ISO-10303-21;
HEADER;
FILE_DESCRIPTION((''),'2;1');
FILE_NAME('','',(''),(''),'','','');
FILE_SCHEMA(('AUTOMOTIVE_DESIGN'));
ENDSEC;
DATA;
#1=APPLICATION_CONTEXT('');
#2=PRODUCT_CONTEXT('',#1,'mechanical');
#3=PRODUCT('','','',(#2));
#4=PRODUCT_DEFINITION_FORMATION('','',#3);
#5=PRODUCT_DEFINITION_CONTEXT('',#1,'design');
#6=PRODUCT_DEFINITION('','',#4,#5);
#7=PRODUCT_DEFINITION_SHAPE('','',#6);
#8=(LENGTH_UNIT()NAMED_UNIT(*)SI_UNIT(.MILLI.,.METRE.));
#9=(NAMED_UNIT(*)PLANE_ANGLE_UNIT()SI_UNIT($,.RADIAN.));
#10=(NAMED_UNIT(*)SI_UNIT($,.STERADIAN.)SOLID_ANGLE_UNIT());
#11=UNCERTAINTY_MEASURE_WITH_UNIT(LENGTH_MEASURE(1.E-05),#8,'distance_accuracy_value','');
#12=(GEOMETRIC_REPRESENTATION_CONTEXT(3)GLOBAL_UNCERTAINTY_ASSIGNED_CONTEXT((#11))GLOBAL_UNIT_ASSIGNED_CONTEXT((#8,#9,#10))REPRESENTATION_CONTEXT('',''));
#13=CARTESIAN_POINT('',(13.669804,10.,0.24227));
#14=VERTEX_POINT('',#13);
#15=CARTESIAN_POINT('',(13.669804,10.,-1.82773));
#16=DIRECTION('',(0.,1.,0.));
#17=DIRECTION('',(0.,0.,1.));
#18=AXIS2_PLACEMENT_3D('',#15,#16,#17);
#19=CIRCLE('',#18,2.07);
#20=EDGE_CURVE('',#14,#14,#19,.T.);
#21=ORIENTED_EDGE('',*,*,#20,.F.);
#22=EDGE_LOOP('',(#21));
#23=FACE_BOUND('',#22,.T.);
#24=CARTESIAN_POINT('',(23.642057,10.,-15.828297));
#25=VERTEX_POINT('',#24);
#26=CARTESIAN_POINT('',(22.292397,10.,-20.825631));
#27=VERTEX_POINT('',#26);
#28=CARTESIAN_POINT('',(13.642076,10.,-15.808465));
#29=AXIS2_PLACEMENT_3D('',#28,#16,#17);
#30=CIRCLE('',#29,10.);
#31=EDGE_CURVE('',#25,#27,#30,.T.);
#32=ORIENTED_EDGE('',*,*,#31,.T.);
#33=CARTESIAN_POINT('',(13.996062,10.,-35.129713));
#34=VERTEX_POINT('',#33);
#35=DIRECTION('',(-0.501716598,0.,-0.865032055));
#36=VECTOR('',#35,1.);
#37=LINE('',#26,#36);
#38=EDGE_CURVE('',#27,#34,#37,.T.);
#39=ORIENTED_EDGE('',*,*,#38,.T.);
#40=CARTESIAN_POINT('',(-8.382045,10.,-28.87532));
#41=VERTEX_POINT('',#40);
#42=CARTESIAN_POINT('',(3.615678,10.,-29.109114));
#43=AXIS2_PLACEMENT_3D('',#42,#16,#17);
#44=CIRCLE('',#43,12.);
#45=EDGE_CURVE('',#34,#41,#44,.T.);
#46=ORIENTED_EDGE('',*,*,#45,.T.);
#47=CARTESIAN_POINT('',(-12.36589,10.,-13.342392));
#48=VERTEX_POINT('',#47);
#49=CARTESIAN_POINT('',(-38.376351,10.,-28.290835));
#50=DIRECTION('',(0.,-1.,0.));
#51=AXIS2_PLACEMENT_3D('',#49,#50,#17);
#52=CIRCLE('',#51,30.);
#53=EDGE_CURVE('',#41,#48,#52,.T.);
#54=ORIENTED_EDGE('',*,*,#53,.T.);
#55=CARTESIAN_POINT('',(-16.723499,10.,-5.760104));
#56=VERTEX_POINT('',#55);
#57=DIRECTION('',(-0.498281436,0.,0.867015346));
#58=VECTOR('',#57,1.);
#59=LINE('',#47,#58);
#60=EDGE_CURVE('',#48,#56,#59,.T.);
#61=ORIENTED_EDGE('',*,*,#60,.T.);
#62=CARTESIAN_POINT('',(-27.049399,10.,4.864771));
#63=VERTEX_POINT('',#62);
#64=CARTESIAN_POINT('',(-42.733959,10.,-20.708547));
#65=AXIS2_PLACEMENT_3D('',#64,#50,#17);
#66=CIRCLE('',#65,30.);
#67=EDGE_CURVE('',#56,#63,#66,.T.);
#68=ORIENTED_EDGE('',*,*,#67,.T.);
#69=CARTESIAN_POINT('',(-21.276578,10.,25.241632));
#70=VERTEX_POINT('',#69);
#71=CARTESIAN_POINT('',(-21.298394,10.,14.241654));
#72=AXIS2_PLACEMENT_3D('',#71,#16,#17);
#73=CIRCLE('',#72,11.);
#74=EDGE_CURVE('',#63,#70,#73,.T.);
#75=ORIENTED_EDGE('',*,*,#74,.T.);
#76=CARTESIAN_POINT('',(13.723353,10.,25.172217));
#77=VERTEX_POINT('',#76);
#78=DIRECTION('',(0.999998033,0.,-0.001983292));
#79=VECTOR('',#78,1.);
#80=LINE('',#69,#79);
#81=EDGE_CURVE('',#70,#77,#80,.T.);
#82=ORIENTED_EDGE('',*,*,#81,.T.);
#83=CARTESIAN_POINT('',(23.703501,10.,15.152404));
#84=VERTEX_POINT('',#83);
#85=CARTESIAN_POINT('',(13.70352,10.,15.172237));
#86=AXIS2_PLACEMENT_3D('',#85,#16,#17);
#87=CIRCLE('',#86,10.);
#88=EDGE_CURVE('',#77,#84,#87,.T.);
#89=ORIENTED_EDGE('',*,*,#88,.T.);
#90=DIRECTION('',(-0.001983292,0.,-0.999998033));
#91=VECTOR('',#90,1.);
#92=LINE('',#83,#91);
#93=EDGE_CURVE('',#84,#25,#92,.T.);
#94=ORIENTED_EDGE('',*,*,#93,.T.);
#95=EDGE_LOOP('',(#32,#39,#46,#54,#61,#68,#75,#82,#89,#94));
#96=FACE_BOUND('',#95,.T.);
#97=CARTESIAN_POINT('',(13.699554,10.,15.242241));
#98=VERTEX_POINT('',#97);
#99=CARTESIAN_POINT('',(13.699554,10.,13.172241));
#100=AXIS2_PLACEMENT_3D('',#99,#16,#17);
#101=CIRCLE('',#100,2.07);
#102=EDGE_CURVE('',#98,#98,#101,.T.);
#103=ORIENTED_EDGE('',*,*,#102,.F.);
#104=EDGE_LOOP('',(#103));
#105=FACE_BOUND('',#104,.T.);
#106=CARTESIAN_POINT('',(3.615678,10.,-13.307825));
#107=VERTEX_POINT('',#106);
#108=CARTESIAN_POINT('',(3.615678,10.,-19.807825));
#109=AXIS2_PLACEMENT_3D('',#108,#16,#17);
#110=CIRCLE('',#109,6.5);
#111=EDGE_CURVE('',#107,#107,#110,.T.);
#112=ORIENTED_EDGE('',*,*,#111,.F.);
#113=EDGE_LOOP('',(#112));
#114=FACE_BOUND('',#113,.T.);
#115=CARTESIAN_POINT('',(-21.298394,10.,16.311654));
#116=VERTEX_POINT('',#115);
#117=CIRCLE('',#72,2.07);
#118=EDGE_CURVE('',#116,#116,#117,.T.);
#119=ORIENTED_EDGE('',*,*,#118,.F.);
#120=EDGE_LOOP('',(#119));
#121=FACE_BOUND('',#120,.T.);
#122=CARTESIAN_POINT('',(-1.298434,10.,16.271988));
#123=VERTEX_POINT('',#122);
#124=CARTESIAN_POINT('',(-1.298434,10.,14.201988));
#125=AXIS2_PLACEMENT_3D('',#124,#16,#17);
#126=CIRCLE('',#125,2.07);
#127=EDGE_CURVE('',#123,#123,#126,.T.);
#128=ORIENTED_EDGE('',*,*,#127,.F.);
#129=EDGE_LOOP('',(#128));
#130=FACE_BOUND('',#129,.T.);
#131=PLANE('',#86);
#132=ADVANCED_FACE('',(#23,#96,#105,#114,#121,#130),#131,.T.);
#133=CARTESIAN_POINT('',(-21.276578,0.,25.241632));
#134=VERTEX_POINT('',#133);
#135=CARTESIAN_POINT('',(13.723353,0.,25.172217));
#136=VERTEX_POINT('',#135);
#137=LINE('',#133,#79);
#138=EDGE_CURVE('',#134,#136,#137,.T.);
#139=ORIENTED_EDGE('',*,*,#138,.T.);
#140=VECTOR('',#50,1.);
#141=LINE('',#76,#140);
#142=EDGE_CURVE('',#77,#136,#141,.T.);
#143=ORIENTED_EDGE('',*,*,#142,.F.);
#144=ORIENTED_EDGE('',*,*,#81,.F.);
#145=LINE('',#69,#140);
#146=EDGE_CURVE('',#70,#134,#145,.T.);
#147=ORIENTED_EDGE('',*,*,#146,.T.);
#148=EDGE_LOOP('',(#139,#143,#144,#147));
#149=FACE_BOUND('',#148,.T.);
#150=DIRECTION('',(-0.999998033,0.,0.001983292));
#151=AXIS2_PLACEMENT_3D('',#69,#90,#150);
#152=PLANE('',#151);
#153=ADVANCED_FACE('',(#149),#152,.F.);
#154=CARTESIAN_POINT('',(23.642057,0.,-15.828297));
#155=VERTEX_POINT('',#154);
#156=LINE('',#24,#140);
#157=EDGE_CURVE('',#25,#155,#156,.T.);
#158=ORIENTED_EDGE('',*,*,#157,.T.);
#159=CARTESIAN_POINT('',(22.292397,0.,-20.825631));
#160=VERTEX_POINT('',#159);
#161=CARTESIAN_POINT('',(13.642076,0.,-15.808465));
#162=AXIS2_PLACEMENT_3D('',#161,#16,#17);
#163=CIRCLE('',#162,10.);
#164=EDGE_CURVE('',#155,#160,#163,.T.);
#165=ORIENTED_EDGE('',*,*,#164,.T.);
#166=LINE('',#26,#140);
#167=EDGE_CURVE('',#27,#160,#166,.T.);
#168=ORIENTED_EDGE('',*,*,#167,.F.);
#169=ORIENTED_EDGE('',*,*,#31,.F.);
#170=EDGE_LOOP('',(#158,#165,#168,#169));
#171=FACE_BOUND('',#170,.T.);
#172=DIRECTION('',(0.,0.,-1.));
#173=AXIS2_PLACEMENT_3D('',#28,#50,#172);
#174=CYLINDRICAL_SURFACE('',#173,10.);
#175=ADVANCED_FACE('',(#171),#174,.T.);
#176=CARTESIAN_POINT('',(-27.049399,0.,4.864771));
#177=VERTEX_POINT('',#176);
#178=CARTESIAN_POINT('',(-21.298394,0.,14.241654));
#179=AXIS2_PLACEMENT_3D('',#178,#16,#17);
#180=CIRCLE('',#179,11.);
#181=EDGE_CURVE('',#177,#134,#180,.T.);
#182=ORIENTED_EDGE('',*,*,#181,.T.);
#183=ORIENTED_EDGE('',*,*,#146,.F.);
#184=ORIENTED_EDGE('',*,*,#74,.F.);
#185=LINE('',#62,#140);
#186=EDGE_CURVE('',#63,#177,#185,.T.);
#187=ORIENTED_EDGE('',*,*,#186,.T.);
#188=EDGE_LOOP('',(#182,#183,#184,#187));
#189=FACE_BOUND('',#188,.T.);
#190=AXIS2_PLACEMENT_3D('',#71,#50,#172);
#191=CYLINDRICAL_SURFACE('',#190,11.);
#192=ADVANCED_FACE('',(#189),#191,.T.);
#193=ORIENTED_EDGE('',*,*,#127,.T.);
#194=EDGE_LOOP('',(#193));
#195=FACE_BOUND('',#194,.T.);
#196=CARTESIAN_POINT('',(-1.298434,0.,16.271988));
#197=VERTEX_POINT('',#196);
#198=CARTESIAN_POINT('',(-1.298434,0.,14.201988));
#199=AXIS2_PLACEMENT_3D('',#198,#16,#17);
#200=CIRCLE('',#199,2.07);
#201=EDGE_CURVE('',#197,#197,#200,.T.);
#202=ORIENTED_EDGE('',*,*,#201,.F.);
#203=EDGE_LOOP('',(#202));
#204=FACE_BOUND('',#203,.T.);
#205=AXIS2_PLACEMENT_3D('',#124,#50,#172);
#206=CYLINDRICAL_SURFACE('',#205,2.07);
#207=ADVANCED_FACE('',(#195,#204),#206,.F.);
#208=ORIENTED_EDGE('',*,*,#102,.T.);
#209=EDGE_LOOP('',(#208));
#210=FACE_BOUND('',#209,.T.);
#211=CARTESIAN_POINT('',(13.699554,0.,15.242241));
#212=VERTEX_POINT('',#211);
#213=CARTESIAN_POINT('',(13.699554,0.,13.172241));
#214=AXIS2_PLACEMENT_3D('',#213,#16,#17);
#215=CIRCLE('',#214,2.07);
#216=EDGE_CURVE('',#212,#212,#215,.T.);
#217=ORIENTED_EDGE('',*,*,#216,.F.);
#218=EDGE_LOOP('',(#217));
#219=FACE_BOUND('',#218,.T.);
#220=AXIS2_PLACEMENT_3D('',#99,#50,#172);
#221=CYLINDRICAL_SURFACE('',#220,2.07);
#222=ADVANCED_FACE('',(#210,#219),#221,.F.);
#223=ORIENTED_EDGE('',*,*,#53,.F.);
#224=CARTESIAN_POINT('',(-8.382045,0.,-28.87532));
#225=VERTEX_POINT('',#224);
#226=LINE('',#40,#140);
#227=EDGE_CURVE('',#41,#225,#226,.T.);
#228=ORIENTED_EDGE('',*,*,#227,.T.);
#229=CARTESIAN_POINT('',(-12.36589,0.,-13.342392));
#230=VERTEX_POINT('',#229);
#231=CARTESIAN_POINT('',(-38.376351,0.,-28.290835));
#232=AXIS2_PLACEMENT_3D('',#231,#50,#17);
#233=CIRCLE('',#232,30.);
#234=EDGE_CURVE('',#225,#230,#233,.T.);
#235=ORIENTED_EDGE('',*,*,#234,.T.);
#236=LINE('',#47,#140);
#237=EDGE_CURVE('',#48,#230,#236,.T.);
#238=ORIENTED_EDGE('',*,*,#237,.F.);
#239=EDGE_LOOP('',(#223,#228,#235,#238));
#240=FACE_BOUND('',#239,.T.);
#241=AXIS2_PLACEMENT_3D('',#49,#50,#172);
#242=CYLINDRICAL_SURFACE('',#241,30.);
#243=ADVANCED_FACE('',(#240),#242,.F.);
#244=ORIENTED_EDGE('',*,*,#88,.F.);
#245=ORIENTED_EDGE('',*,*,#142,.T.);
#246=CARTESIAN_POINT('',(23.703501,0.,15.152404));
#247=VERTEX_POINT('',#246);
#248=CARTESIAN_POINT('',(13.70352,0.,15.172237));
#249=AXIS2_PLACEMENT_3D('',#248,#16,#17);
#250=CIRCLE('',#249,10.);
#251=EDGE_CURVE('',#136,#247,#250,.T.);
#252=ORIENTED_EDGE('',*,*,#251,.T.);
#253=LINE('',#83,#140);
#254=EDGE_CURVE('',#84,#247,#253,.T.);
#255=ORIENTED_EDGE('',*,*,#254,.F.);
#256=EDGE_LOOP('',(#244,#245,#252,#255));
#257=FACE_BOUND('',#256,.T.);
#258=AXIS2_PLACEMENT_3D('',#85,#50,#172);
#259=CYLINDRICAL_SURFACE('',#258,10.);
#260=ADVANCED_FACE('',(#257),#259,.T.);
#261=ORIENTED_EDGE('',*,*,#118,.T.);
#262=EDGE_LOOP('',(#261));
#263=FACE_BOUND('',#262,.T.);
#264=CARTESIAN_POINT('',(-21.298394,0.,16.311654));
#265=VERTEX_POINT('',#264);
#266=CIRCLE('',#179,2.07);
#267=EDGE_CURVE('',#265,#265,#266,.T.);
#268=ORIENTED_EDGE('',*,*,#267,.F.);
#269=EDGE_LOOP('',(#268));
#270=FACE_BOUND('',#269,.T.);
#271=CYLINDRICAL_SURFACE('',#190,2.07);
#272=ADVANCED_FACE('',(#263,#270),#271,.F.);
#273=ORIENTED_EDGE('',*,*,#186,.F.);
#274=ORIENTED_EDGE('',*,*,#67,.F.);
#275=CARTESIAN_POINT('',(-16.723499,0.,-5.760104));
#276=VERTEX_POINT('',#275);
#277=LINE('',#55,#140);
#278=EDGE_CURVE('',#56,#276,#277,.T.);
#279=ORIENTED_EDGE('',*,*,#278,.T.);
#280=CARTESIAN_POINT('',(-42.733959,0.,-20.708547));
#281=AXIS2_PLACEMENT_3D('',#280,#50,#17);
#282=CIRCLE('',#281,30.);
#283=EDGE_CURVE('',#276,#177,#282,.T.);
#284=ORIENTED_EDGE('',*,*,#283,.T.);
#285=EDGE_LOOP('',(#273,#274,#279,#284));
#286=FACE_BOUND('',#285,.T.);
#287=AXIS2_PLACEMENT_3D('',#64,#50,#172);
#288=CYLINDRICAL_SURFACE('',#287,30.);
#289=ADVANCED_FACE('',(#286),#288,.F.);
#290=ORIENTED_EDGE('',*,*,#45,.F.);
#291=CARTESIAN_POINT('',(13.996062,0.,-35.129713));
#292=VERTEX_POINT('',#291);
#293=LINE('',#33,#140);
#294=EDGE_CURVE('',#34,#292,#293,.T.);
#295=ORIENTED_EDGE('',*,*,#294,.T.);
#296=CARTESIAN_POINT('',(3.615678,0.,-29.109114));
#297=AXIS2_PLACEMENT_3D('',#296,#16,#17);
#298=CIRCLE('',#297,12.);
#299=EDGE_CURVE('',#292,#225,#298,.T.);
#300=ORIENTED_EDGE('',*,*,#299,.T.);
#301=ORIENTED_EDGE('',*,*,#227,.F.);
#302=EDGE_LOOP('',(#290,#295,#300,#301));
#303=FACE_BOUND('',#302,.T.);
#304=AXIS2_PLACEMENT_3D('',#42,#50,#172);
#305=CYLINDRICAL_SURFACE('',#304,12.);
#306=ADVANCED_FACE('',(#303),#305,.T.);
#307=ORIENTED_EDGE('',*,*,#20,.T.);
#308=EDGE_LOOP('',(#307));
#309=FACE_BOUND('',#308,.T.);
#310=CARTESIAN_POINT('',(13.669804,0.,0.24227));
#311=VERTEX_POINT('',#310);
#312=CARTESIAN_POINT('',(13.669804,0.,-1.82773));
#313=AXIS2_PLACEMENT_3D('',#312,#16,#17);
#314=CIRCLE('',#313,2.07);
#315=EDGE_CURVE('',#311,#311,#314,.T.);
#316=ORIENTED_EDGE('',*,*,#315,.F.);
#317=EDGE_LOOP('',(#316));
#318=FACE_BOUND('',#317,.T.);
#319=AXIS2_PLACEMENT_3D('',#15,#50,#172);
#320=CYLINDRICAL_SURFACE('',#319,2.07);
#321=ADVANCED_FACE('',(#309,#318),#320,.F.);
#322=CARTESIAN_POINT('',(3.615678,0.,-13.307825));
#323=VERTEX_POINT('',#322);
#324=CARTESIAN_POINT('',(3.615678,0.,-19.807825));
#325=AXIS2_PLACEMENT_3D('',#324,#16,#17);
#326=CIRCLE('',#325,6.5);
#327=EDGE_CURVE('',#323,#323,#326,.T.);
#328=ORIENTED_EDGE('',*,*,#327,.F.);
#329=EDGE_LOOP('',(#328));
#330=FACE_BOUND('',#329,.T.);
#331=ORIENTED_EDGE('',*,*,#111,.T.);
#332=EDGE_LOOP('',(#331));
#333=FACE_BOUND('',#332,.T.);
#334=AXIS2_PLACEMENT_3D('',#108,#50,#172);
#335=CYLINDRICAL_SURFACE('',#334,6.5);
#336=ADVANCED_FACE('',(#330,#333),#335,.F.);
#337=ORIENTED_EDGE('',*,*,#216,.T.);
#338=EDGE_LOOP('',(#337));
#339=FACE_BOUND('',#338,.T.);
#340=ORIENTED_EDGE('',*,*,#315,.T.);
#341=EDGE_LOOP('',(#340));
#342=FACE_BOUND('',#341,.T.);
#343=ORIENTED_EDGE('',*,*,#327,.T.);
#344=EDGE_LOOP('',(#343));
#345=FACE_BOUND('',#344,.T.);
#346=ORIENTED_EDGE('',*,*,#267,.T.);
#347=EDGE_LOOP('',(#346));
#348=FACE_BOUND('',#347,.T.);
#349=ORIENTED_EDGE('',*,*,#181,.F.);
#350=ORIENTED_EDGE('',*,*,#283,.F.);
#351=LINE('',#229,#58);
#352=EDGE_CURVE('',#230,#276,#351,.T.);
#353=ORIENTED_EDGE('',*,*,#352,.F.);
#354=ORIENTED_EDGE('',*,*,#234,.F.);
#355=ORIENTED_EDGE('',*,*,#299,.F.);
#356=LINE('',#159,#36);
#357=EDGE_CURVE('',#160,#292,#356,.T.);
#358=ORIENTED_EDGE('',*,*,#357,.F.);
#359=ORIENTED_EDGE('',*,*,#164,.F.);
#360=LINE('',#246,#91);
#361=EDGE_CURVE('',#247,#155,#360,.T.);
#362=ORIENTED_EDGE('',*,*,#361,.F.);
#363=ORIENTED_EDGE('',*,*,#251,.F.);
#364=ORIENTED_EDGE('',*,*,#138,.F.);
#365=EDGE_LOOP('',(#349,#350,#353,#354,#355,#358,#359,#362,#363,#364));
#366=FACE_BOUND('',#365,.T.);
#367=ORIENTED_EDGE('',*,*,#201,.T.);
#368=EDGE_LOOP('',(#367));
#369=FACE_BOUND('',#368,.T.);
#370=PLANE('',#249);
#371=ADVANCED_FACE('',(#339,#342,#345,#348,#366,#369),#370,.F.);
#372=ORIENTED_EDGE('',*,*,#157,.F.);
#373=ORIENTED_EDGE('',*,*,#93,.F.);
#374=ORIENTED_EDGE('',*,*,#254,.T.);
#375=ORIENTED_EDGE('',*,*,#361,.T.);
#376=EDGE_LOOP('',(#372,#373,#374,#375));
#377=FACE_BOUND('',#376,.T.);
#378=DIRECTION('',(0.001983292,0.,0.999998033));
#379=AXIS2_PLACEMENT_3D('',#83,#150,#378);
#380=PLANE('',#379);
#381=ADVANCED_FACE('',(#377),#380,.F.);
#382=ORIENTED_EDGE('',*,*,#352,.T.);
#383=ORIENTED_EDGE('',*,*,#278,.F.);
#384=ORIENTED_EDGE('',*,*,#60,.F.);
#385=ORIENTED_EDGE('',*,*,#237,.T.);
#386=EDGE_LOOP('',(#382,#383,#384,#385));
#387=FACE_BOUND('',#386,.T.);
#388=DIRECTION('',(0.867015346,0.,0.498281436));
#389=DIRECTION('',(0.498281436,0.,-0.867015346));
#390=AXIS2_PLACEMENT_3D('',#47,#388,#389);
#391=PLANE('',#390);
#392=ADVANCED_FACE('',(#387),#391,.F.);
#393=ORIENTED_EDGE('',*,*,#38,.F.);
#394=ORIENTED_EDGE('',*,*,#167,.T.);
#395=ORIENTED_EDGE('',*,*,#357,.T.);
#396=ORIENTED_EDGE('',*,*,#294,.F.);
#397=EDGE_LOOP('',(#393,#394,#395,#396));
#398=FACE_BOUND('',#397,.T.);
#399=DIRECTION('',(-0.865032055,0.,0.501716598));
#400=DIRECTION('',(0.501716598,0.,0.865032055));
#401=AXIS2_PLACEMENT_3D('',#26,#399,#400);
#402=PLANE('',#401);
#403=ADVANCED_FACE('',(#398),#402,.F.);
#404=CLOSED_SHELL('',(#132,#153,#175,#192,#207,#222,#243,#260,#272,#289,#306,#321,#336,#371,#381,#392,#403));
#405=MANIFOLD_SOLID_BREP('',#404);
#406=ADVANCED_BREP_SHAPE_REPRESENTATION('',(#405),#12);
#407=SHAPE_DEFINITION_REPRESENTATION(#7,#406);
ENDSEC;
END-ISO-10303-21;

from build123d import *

# Parameters (mm, degrees)
SKETCH1_R           = 2.070000001
SKETCH1_R_2         = 2.07
SKETCH1_R_3         = 6.5
BOSS_EXTRUDE1_DEPTH = 10


with BuildPart() as part:
    # Sketch1 → Boss-Extrude1 (new body)
    with BuildSketch(Plane(origin=(0, 0, 0), x_dir=(1, 0, 0), z_dir=(0, 1, 0))):
        with BuildLine():
            Line((23.703500556, -15.152403716), (23.64205667, 15.828297469))
            ThreePointArc((23.64205667, 15.828297469), (23.296182467, 18.41580704), (22.292396885, 20.825630528))
            Line((22.292396885, 20.825630528), (13.99606221, 35.129712685))
            ThreePointArc((13.99606221, 35.129712685), (0.385615186, 40.666219429), (-8.382044752, 28.875319789))
            ThreePointArc((-8.382044752, 28.875319789), (-9.316904265, 20.837743246), (-12.365890121, 13.342392404))
            Line((-12.365890121, 13.342392404), (-16.723498541, 5.760104356))
            ThreePointArc((-16.723498541, 5.760104356), (-21.220226961, -0.19980824), (-27.049399397, -4.864770548))
            ThreePointArc((-27.049399397, -4.864770548), (-31.881873053, -17.239982686), (-21.276578026, -25.241632171))
            Line((-21.276578026, -25.241632171), (13.723353139, -25.172216965))
            ThreePointArc((13.723353139, -25.172216965), (20.788598117, -22.229266547), (23.703500556, -15.152403716))
        make_face()
        with Locations(Location((-21.298394234, -14.241653805, 0), (0, 0, 270))):
            Circle(SKETCH1_R, mode=Mode.SUBTRACT)
        with Locations(Location((-1.298433568, -14.201987971, 0), (0, 0, 270))):
            Circle(SKETCH1_R_2, mode=Mode.SUBTRACT)
        with Locations(Location((13.69955364, -13.172240563, 0), (0, 0, 270))):
            Circle(SKETCH1_R_2, mode=Mode.SUBTRACT)
        with Locations(Location((13.669804266, 1.827729936, 0), (0, 0, 270))):
            Circle(SKETCH1_R_2, mode=Mode.SUBTRACT)
        with Locations(Location((3.615677553, 19.807825031, 0), (0, 0, 270))):
            Circle(SKETCH1_R_3, mode=Mode.SUBTRACT)
    extrude(amount=BOSS_EXTRUDE1_DEPTH)


solid = part.part
